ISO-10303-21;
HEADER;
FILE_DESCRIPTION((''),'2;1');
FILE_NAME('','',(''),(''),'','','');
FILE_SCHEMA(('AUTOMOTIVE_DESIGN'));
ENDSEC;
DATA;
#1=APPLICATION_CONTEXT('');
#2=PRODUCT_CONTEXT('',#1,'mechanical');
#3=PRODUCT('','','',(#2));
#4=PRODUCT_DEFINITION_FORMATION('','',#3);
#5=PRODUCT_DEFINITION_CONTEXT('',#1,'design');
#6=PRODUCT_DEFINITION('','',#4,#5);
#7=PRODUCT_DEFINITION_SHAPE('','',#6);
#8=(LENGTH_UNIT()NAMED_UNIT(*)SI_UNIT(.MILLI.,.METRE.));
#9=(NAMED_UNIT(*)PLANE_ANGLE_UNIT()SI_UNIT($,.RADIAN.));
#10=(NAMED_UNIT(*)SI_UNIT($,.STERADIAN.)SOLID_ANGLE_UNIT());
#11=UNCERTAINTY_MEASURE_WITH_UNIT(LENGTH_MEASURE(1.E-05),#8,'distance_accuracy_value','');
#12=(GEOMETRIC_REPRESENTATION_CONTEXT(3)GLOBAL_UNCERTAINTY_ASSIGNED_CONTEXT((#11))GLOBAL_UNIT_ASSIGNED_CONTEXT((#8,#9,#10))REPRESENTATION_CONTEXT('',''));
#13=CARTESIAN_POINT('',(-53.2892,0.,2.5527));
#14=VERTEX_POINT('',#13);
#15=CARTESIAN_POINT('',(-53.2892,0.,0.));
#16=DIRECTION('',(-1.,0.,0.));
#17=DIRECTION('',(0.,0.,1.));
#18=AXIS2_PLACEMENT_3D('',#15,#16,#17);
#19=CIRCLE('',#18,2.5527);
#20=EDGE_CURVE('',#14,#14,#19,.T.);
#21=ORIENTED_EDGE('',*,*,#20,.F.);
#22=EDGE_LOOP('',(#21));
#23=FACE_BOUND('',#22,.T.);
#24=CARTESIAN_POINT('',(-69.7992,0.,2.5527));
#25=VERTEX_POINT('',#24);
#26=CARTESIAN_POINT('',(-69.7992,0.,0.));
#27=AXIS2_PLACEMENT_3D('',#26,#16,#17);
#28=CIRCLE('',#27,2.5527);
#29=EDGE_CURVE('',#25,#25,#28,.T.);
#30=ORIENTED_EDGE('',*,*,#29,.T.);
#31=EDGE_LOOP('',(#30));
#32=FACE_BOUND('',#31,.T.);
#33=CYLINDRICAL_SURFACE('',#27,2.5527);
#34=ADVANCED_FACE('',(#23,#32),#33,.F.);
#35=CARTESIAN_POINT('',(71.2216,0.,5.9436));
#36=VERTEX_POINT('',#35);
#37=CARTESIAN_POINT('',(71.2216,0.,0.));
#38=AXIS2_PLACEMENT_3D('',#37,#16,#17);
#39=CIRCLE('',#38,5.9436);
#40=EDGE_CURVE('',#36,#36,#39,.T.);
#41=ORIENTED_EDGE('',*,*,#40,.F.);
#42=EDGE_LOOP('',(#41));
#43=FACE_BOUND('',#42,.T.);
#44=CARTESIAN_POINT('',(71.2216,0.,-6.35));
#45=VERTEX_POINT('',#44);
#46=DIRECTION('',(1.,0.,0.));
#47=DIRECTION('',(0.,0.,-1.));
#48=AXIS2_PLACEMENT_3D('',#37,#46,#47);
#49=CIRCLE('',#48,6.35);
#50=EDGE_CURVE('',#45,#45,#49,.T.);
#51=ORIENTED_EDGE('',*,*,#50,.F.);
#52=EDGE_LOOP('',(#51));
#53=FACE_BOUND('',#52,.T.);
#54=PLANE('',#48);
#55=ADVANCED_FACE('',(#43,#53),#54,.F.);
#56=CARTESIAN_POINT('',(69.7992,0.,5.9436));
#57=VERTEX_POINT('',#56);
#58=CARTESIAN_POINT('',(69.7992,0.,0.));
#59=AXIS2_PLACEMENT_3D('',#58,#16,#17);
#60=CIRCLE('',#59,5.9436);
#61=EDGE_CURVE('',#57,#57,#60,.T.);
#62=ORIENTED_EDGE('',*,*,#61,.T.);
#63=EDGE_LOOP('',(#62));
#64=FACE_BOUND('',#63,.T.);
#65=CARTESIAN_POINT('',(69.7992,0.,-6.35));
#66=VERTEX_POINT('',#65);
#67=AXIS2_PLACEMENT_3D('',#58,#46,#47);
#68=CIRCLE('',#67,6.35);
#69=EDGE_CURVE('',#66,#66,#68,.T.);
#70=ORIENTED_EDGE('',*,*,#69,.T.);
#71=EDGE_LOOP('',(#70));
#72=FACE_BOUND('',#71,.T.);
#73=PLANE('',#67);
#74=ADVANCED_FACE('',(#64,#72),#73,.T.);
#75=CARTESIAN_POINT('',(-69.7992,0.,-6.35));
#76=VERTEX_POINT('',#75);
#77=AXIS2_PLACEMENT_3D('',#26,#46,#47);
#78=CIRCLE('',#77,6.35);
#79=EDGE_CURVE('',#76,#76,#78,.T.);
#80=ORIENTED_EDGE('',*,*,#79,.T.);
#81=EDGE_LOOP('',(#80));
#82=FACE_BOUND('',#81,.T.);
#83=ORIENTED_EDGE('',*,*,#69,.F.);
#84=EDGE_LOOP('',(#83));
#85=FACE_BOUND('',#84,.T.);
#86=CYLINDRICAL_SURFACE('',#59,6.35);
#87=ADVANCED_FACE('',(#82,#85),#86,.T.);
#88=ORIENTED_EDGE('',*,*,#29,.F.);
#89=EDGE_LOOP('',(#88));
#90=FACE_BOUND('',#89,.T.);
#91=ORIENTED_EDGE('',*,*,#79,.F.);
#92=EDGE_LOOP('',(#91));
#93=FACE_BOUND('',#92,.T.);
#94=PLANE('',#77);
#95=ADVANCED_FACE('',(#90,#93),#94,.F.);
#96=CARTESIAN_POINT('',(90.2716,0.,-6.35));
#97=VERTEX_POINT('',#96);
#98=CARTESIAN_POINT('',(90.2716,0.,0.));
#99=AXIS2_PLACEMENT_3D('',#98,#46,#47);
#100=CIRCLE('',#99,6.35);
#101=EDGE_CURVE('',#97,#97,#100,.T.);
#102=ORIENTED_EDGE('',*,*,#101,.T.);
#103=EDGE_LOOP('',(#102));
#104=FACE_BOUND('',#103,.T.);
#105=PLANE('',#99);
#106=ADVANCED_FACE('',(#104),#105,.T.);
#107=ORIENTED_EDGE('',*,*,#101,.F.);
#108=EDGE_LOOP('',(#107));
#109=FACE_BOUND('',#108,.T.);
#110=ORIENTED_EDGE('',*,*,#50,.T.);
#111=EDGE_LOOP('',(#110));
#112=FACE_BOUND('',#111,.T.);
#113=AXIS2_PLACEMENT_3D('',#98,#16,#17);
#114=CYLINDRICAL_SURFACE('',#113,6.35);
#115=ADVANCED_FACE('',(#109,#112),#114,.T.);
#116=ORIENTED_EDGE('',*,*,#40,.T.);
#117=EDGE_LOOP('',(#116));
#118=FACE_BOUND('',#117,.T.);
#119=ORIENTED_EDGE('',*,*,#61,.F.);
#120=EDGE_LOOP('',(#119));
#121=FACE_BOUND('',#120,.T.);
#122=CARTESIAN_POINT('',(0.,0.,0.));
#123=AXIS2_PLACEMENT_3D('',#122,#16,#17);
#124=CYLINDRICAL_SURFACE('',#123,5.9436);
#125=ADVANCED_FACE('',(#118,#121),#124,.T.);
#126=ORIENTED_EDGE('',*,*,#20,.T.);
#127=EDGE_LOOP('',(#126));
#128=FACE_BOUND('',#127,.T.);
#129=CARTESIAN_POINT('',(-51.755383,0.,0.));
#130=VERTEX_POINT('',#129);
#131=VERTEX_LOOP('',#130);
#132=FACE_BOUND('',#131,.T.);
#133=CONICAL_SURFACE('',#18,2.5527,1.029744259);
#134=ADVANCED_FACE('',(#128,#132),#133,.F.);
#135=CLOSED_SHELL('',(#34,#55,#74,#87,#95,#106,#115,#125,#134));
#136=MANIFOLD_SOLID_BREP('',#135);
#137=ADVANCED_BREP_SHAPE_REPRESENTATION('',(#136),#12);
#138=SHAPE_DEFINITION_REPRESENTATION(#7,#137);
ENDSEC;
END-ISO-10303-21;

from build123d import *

# Parameters (mm, degrees)
SKETCH1_R                   = 6.35
BOSS_EXTRUDE1_DEPTH         = 69.7992
SKETCH2_W                   = 1.4224
SKETCH2_H                   = 5.9436
SKETCH3_R                   = 6.35
BOSS_EXTRUDE2_DEPTH         = 19.05
F_1_4_20_TAPPED_HOLE1_D     = 5.1054
F_1_4_20_TAPPED_HOLE1_DEPTH = 16.51
F_1_4_20_TAPPED_HOLE1_TIP   = 1.533816902


with BuildPart() as part:
    # Sketch1 → Boss-Extrude1 (new body, symmetric)
    with BuildSketch(Plane(origin=(0, 0, 0), x_dir=(0, 0, -1), z_dir=(1, 0, 0))):
        Circle(SKETCH1_R)
    extrude(amount=BOSS_EXTRUDE1_DEPTH, both=True)

    # Sketch2 → Revolve2 (revolve)
    with BuildSketch(Plane.XY):
        with Locations((70.5104, 2.9718)):
            Rectangle(SKETCH2_W, SKETCH2_H)
    revolve(axis=Axis((0, 0, 0), (1, 0, 0)))

    # Sketch3 → Boss-Extrude2 (add)
    with BuildSketch(Plane(origin=(71.2216, 0, 0), x_dir=(0, 0, -1), z_dir=(1, 0, 0))):
        Circle(SKETCH3_R)
    extrude(amount=BOSS_EXTRUDE2_DEPTH)

    # 1/4-20 Tapped Hole1
    with Locations(Plane.ZY.offset(69.7992)):
        with Locations((0, 0)):
            Hole(F_1_4_20_TAPPED_HOLE1_D / 2, depth=F_1_4_20_TAPPED_HOLE1_DEPTH)
            with Locations((0, 0, -(F_1_4_20_TAPPED_HOLE1_DEPTH + F_1_4_20_TAPPED_HOLE1_TIP / 2))):  # 118° drill point
                Cone(0, F_1_4_20_TAPPED_HOLE1_D / 2, F_1_4_20_TAPPED_HOLE1_TIP, mode=Mode.SUBTRACT)


solid = part.part
